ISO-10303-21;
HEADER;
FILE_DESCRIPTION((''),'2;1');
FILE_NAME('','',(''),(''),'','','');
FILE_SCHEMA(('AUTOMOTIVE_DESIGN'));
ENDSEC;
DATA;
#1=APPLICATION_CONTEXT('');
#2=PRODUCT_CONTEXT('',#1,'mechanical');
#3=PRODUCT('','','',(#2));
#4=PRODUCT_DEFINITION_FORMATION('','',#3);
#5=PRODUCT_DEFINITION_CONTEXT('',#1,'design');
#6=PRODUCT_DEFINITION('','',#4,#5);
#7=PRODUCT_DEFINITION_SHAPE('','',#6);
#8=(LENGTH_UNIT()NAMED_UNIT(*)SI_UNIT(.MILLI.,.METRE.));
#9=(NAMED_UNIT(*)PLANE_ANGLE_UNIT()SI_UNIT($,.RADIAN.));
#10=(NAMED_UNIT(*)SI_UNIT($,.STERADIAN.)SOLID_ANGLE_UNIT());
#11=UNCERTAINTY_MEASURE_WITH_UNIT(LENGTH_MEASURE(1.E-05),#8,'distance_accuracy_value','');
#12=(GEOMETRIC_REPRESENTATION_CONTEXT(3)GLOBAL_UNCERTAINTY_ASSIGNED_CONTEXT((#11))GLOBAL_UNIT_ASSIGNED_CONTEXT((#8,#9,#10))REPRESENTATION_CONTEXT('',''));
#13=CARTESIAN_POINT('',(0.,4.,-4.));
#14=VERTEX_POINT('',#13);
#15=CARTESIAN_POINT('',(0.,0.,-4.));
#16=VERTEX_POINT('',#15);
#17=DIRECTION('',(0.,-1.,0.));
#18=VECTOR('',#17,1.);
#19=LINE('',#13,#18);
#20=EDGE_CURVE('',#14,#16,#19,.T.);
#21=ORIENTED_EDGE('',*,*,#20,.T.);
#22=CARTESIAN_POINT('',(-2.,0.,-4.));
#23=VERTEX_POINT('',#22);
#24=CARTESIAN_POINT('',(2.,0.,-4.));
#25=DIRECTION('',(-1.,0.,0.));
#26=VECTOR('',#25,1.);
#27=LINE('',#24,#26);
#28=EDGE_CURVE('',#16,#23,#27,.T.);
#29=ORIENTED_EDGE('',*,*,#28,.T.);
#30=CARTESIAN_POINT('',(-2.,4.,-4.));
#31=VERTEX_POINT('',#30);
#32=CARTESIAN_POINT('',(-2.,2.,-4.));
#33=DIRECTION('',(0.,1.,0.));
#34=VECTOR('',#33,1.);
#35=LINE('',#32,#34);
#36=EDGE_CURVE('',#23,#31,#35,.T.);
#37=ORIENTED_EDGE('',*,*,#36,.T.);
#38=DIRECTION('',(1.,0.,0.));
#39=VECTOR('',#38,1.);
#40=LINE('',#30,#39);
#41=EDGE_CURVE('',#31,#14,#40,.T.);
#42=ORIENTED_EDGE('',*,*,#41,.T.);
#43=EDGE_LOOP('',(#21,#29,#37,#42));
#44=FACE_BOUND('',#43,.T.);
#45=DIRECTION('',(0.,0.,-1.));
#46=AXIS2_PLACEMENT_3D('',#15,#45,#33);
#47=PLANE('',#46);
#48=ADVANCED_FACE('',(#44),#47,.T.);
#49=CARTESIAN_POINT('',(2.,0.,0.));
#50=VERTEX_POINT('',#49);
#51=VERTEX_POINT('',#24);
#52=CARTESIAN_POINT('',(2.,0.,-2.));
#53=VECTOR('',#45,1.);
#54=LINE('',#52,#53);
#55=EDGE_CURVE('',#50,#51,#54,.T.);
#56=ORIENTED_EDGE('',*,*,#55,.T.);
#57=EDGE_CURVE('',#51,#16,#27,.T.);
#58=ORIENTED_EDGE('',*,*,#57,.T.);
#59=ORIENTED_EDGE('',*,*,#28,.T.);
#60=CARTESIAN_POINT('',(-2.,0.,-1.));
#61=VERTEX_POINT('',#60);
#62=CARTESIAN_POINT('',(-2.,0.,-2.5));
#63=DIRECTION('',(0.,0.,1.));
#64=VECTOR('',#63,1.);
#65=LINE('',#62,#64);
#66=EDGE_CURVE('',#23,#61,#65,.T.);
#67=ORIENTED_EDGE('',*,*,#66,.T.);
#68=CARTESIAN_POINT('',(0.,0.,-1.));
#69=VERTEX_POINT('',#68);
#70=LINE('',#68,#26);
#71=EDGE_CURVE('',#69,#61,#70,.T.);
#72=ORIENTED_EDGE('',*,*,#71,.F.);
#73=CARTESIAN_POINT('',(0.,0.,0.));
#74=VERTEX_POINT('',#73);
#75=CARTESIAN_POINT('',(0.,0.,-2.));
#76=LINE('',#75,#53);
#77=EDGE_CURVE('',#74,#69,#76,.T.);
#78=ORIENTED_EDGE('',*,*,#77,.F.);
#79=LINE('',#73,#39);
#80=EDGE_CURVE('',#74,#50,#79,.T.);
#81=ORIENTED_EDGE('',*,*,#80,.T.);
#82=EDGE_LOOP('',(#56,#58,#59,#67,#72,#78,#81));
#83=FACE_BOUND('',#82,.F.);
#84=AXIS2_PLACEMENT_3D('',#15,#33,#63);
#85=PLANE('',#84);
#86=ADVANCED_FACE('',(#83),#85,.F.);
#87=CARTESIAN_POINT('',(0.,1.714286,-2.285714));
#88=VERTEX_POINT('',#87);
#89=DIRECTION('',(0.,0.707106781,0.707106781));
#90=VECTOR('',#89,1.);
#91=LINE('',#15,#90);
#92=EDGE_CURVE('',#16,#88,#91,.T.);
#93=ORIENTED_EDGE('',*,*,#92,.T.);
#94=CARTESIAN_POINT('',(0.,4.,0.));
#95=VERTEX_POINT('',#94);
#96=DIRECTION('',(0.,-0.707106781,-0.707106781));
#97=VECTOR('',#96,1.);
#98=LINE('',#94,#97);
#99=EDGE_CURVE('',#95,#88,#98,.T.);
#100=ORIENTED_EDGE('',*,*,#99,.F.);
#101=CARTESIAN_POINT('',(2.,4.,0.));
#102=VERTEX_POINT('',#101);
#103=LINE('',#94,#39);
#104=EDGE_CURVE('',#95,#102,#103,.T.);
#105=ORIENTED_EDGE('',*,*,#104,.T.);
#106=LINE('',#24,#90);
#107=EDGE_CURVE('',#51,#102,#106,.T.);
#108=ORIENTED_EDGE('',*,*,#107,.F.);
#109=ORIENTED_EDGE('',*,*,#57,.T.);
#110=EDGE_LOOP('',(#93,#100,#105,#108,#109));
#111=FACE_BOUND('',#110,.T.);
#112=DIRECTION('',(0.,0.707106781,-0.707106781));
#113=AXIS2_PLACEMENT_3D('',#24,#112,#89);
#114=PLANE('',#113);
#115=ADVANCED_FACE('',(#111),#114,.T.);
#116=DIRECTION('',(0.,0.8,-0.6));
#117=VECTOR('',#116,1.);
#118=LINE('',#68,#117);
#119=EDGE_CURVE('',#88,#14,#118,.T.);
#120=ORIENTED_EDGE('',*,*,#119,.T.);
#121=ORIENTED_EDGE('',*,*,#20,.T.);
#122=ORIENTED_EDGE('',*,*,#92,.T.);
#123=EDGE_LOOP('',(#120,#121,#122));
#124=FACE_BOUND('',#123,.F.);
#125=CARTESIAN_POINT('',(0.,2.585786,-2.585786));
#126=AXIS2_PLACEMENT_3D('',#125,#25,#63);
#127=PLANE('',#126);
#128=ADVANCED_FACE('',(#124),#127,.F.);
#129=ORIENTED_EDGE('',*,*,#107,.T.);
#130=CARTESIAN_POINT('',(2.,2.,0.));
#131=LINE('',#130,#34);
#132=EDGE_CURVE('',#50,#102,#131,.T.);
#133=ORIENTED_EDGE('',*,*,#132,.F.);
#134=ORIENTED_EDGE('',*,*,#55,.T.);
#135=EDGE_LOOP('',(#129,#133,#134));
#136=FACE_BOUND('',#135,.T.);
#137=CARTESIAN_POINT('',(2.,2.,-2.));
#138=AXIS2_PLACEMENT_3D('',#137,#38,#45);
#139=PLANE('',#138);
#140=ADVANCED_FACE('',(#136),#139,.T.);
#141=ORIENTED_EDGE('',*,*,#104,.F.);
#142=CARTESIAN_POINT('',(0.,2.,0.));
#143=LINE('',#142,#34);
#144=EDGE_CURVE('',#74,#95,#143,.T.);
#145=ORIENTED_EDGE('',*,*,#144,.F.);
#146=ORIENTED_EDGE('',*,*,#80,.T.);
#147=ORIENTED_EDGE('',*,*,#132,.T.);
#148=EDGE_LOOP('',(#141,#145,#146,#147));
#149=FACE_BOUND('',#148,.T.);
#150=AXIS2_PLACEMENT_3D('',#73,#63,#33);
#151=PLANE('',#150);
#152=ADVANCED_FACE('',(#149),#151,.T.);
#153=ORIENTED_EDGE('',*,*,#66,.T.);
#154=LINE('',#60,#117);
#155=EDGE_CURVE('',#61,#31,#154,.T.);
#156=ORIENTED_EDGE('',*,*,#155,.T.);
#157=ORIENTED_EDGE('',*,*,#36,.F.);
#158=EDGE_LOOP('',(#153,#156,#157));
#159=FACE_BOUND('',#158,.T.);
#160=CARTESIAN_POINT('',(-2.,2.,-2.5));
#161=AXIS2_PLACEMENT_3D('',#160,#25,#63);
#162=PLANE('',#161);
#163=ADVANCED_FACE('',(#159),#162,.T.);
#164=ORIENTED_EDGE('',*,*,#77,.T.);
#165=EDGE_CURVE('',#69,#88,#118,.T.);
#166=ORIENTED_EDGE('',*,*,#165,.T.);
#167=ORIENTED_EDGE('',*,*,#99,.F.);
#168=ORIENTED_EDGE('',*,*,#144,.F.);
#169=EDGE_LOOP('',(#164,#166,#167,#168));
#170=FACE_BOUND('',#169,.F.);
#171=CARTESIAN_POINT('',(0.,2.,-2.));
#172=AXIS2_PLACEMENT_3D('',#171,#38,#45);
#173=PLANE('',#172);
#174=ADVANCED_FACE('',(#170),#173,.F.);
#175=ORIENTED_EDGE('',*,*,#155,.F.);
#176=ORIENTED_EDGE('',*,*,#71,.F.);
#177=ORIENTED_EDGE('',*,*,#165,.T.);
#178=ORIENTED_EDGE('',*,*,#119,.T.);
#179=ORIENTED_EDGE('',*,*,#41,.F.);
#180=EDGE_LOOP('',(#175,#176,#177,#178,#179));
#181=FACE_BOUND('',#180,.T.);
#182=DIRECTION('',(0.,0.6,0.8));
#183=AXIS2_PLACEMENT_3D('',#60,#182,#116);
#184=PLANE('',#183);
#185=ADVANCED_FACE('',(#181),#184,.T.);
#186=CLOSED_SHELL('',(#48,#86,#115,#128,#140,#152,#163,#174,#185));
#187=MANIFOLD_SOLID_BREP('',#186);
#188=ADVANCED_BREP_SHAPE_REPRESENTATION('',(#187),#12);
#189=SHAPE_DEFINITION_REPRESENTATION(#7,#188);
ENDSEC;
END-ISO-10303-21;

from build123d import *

# Parameters (mm, degrees)
SKETCH1_W           = 4
SKETCH1_H           = 4
BOSS_EXTRUDE1_DEPTH = 2
SKETCH2_W           = 3
SKETCH2_H           = 4
BOSS_EXTRUDE2_DEPTH = 2
CUT_EXTRUDE1_DEPTH  = 2
CUT_EXTRUDE2_DEPTH  = 2


with BuildPart() as part:
    # Sketch1 → Boss-Extrude1 (new body)
    with BuildSketch(Plane(origin=(0, 0, 0), x_dir=(0, 0, -1), z_dir=(1, 0, 0))):
        with Locations((2, 2)):
            Rectangle(SKETCH1_W, SKETCH1_H)
    extrude(amount=BOSS_EXTRUDE1_DEPTH)

    # Sketch2 → Boss-Extrude2 (add)
    with BuildSketch(Plane.ZY):
        with Locations((-2.5, 2)):
            Rectangle(SKETCH2_W, SKETCH2_H)
    extrude(amount=BOSS_EXTRUDE2_DEPTH)

    # Sketch3 → Cut-Extrude1 (cut)
    with BuildSketch(Plane(origin=(2, 0, 0), x_dir=(0, 0, -1), z_dir=(1, 0, 0))):
        Polygon((4, 0), (0, 4), (4, 4), align=None)
    extrude(amount=-CUT_EXTRUDE1_DEPTH, mode=Mode.SUBTRACT)

    # Sketch4 → Cut-Extrude2 (cut)
    with BuildSketch(Plane.ZY.offset(2)):
        Polygon((-1, 0), (-4, 4), (-1, 4), align=None)
    extrude(amount=-CUT_EXTRUDE2_DEPTH, mode=Mode.SUBTRACT)


solid = part.part
